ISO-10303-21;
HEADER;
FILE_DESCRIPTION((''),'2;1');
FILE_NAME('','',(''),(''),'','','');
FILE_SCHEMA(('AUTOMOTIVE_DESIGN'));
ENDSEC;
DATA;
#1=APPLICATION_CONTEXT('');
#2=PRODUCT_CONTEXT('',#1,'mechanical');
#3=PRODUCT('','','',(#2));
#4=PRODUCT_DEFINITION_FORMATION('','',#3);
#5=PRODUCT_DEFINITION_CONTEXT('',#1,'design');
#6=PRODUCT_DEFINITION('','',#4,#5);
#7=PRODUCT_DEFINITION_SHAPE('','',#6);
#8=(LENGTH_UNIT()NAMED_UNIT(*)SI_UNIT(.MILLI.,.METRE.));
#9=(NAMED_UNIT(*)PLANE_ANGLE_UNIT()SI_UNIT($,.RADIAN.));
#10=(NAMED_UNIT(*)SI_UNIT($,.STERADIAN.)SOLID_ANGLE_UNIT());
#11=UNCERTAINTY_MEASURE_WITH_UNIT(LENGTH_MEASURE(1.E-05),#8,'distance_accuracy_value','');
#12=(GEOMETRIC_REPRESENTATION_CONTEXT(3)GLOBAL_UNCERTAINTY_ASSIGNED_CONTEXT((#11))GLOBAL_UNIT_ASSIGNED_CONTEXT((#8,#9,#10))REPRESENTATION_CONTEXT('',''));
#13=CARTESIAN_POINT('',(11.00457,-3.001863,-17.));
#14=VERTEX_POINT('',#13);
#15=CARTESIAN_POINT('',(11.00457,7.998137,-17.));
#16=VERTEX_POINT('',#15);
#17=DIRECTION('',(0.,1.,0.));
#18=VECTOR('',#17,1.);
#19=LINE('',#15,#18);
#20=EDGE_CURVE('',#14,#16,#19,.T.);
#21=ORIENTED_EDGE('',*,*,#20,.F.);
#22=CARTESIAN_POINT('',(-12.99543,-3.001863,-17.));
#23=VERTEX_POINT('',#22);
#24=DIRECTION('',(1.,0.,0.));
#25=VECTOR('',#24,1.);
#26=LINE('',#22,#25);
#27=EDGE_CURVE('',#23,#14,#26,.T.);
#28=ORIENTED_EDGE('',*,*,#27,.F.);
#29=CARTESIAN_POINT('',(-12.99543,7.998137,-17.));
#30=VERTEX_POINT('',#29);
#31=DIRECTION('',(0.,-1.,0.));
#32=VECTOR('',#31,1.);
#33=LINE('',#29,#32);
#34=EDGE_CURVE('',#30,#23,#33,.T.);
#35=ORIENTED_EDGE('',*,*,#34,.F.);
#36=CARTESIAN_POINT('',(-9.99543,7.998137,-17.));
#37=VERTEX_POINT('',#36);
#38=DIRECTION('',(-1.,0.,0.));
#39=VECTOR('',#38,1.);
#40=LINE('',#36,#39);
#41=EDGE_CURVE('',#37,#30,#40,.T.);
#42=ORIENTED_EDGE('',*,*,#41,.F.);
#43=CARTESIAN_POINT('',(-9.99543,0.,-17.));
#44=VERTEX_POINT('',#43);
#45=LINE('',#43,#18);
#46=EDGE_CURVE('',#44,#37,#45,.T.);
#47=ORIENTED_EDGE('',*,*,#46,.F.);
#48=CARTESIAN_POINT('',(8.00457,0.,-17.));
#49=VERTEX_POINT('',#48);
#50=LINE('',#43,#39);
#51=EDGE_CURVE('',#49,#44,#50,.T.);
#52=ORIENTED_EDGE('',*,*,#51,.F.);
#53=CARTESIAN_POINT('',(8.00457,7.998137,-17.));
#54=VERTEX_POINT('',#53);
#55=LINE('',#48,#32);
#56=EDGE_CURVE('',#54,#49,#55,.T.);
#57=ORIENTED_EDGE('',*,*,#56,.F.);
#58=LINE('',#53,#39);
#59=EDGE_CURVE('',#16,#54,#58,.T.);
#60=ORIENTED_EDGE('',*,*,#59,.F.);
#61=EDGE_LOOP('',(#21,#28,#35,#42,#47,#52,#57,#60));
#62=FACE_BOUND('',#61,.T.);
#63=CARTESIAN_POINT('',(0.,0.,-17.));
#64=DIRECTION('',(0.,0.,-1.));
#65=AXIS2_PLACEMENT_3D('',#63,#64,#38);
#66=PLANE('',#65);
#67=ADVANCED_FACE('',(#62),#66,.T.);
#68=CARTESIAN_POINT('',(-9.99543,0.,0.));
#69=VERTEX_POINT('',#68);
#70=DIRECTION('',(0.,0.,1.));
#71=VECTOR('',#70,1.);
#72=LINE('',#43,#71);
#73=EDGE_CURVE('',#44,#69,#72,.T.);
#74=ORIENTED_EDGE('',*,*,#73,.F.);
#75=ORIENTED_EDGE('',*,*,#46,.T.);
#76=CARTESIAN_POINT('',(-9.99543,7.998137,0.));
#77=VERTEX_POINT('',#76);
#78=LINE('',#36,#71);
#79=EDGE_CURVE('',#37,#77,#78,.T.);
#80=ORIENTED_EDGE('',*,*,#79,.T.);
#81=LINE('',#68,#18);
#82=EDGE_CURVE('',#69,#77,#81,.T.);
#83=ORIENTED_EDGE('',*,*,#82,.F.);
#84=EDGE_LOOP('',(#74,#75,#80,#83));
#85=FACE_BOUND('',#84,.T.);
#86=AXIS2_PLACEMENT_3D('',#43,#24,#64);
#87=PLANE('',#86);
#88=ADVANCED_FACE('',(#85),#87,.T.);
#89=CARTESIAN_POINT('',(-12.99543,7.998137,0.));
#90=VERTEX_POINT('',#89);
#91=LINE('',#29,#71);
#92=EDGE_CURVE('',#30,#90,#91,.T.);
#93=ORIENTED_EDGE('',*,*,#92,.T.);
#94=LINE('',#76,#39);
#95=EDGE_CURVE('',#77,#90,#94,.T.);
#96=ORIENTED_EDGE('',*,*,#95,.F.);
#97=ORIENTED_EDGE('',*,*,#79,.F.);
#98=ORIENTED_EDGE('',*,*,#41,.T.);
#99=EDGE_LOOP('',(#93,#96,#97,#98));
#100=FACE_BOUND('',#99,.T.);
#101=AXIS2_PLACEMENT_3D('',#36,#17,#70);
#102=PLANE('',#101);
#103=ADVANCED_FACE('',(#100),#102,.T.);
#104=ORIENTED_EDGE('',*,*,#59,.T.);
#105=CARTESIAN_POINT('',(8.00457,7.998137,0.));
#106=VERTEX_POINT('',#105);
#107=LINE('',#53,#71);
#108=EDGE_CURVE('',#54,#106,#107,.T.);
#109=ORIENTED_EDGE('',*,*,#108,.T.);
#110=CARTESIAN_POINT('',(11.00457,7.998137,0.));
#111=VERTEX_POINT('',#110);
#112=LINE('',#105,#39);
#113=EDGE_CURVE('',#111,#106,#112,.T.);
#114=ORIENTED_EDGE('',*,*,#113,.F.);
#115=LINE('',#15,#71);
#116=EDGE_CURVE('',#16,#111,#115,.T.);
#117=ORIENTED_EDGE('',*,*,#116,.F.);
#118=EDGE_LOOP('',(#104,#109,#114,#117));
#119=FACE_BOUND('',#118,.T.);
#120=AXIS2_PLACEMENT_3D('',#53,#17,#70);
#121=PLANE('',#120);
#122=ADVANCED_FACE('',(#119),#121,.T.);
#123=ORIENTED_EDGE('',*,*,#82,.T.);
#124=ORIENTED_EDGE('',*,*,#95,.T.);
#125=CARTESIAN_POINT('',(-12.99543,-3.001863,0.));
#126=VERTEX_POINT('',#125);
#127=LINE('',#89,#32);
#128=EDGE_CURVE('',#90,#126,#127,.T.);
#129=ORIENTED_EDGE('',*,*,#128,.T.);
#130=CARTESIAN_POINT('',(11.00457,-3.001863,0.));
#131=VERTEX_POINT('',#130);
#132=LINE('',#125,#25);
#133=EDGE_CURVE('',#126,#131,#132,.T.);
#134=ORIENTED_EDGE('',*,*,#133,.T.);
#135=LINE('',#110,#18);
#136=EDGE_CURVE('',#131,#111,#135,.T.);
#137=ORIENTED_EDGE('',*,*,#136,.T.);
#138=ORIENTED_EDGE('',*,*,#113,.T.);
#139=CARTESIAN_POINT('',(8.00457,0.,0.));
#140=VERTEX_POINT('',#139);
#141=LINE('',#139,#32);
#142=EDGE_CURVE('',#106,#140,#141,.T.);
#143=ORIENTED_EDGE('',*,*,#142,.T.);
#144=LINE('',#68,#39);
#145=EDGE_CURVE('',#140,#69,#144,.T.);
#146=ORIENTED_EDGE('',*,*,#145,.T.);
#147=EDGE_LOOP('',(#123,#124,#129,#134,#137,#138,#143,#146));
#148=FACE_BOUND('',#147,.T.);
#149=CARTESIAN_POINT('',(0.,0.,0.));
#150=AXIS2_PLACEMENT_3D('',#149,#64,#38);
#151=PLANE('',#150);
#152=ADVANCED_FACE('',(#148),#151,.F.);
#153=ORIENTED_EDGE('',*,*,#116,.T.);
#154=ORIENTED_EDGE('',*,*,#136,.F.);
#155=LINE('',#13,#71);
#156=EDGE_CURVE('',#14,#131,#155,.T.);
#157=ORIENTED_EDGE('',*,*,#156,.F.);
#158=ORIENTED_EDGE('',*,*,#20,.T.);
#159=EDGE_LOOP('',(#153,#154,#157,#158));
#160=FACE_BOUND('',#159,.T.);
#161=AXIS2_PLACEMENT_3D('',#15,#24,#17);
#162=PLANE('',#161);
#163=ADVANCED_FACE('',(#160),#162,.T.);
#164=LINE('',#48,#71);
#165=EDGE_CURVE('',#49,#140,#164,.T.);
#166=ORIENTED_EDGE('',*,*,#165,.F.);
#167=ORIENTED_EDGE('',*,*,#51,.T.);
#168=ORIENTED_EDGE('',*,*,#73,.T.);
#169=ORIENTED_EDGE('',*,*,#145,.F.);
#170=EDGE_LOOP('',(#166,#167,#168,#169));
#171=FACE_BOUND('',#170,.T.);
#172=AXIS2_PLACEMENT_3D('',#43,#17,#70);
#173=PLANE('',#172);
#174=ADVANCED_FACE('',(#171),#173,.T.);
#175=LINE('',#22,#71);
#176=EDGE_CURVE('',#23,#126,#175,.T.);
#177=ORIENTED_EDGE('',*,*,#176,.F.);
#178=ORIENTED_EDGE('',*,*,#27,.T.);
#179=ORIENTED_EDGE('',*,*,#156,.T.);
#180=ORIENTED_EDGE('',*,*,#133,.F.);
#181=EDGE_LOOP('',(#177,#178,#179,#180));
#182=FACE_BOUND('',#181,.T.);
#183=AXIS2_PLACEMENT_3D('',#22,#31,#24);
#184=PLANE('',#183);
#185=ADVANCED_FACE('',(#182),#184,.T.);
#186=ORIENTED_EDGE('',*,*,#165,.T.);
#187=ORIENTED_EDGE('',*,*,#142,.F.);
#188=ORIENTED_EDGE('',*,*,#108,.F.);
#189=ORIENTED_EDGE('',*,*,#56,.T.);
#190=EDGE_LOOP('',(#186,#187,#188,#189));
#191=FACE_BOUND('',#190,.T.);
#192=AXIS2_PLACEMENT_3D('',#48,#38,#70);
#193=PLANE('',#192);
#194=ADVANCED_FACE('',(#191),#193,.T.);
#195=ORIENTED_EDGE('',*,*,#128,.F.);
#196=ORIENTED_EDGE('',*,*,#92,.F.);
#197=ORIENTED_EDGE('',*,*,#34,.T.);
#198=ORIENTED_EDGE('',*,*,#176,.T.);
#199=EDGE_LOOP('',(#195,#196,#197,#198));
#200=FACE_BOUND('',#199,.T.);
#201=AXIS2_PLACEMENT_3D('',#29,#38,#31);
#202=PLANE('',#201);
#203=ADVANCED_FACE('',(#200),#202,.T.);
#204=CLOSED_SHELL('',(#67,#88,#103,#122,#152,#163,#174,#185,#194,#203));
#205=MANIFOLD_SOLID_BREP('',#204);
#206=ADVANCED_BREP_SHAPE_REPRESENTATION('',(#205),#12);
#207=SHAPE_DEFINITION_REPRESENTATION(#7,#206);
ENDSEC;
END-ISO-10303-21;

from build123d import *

# Parameters (mm, degrees)
RESSALTO_EXTRUS_O1_DEPTH = 17


with BuildPart() as part:
    # Esboço1 → Ressalto-extrusão1 (new body)
    with BuildSketch(Plane.XY):
        Polygon((-9.995430311, 0), (-9.995430311, 7.998136662), (-12.995430311, 7.998136662), (-12.995430311, -3.001863338), (11.004569689, -3.001863338), (11.004569689, 7.998136662), (8.004569689, 7.998136662), (8.004569689, 0), align=None)
    extrude(amount=-RESSALTO_EXTRUS_O1_DEPTH)


solid = part.part
